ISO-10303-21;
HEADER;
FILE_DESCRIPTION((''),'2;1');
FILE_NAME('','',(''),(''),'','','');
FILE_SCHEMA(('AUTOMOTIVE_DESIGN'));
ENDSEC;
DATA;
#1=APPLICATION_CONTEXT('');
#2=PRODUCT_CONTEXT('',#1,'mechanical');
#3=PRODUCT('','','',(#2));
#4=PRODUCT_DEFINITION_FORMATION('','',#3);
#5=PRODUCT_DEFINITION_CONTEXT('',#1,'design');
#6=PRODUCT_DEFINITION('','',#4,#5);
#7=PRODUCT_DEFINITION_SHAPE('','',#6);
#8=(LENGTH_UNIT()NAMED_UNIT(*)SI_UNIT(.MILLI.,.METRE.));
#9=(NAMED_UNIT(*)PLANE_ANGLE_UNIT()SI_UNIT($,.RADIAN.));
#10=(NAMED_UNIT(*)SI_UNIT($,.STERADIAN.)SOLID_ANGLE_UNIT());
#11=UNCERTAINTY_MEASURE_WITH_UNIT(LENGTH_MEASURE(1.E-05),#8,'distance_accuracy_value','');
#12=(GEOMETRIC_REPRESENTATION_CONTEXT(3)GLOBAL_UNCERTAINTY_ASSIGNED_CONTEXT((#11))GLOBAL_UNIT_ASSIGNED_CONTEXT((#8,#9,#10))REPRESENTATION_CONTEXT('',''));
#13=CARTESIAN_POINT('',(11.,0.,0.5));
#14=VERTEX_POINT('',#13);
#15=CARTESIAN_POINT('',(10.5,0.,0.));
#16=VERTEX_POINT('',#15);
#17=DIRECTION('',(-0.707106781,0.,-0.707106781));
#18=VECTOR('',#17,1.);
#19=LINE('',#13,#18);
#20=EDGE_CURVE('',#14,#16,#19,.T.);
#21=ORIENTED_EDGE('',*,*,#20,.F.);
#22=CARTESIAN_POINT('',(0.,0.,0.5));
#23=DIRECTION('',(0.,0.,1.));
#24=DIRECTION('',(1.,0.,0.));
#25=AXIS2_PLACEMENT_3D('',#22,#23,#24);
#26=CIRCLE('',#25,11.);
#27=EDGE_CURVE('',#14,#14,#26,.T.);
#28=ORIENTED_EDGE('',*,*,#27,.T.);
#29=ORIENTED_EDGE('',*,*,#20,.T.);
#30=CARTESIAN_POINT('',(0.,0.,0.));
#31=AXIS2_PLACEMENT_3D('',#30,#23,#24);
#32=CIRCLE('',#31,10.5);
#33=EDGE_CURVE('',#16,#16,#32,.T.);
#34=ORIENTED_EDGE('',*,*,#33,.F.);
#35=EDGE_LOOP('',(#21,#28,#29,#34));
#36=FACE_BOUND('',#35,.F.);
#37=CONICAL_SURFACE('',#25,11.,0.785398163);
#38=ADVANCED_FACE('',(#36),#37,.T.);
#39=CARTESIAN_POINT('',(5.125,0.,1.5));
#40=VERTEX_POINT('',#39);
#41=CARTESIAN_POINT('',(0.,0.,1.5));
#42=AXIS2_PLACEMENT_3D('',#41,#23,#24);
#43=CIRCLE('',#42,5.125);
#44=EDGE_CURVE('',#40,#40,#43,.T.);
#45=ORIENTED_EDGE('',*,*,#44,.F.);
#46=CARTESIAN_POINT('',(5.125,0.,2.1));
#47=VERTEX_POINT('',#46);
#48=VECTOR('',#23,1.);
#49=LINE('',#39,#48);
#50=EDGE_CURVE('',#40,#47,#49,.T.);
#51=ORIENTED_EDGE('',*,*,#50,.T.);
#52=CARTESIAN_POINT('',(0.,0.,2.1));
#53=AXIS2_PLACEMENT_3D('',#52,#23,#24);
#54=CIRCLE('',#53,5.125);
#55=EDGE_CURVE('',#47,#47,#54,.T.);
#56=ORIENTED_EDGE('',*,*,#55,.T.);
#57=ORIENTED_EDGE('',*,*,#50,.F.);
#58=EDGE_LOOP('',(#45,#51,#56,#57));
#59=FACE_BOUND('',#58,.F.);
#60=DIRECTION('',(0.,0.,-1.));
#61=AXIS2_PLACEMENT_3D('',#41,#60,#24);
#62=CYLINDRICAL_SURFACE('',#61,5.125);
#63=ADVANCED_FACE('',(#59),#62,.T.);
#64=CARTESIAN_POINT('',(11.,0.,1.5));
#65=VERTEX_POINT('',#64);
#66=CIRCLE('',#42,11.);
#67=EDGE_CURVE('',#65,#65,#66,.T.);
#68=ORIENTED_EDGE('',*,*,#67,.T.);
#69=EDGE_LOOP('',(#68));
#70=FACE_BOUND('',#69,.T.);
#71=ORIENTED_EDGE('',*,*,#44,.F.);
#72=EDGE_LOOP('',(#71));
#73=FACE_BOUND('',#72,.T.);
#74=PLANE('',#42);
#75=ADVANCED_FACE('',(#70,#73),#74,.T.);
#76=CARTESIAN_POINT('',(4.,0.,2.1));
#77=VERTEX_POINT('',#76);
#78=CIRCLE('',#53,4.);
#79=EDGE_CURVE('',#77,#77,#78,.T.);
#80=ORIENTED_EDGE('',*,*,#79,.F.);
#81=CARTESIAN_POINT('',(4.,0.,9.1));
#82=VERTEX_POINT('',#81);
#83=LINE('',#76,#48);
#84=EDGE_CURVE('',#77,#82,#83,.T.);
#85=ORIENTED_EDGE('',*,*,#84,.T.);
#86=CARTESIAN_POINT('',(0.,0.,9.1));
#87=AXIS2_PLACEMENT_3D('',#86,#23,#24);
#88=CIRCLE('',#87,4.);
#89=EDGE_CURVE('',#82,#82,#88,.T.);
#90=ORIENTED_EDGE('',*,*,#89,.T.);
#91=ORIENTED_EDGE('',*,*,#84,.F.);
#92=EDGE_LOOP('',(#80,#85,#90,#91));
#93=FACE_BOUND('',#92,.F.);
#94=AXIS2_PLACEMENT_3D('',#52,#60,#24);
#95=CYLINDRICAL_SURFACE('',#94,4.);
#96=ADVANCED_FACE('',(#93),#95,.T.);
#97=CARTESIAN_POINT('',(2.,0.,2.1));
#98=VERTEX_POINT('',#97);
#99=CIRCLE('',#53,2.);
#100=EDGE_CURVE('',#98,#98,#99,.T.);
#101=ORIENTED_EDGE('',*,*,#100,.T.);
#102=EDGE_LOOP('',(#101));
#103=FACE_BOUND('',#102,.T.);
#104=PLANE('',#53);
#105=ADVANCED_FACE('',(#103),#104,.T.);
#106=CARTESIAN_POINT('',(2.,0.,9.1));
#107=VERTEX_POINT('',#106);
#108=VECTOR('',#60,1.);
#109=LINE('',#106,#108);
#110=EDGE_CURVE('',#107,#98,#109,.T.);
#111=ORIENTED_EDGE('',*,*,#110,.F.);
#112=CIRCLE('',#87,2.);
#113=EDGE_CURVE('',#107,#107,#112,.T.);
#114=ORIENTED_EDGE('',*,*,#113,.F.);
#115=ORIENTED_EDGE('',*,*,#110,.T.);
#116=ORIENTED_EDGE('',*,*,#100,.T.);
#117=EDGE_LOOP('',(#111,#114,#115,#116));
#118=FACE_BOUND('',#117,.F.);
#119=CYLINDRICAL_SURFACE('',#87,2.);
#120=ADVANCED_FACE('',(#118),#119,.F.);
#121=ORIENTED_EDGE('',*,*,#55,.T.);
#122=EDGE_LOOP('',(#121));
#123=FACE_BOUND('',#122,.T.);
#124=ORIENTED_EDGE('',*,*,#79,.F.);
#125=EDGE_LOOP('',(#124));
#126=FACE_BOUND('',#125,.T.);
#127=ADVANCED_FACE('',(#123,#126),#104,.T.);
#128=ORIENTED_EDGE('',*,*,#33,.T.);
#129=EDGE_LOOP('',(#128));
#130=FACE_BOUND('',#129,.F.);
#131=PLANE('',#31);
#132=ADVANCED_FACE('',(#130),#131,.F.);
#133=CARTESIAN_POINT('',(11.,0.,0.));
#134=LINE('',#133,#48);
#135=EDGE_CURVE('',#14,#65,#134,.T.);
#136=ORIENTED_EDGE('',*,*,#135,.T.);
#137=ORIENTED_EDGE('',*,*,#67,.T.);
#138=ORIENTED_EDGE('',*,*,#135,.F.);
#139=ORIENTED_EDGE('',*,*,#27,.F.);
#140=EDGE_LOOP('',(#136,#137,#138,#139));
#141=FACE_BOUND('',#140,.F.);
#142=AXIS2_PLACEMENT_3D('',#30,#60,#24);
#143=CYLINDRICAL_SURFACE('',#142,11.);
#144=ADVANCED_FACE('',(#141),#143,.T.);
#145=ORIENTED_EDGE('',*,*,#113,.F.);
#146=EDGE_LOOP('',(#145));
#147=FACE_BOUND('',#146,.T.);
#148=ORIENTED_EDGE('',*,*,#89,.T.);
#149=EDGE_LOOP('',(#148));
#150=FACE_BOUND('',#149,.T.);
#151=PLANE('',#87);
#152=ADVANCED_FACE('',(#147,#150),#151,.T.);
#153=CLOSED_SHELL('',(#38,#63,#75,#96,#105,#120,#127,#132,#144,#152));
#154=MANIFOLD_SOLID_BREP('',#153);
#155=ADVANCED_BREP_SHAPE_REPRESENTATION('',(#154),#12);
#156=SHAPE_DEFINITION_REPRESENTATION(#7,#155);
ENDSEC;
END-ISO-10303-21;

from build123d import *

# Parameters (mm, degrees)
F0_R     = 11
F1_DEPTH = 1.5
F2_R     = 5.125
F3_DEPTH = 0.6
F4_R     = 4
F5_DEPTH = 7
F6_R     = 2
F7_DEPTH = 7
F8_SIZE  = 0.5


with BuildPart() as f1:
    # F0 (on Top) → F1 (new body)
    with BuildSketch(Plane.XY):
        Circle(F0_R)
    extrude(amount=F1_DEPTH)

    # F2 (on face) → F3 (join)
    with BuildSketch(Plane.XY.offset(1.5)):
        Circle(F2_R)
    extrude(amount=F3_DEPTH)

    # F4 (on face) → F5 (join)
    with BuildSketch(Plane.XY.offset(2.1)):
        Circle(F4_R)
    extrude(amount=F5_DEPTH)

    # F6 (on face) → F7 (cut, through all)
    with BuildSketch(Plane.XY.offset(9.1)):
        Circle(F6_R)
    extrude(amount=-F7_DEPTH, mode=Mode.SUBTRACT)

    # F8
    f8_edges = [f1.edges().sort_by_distance(p)[0] for p in [
        (-11, 0, 0),
    ]]
    chamfer(f8_edges, length=F8_SIZE)


solid = f1.part
